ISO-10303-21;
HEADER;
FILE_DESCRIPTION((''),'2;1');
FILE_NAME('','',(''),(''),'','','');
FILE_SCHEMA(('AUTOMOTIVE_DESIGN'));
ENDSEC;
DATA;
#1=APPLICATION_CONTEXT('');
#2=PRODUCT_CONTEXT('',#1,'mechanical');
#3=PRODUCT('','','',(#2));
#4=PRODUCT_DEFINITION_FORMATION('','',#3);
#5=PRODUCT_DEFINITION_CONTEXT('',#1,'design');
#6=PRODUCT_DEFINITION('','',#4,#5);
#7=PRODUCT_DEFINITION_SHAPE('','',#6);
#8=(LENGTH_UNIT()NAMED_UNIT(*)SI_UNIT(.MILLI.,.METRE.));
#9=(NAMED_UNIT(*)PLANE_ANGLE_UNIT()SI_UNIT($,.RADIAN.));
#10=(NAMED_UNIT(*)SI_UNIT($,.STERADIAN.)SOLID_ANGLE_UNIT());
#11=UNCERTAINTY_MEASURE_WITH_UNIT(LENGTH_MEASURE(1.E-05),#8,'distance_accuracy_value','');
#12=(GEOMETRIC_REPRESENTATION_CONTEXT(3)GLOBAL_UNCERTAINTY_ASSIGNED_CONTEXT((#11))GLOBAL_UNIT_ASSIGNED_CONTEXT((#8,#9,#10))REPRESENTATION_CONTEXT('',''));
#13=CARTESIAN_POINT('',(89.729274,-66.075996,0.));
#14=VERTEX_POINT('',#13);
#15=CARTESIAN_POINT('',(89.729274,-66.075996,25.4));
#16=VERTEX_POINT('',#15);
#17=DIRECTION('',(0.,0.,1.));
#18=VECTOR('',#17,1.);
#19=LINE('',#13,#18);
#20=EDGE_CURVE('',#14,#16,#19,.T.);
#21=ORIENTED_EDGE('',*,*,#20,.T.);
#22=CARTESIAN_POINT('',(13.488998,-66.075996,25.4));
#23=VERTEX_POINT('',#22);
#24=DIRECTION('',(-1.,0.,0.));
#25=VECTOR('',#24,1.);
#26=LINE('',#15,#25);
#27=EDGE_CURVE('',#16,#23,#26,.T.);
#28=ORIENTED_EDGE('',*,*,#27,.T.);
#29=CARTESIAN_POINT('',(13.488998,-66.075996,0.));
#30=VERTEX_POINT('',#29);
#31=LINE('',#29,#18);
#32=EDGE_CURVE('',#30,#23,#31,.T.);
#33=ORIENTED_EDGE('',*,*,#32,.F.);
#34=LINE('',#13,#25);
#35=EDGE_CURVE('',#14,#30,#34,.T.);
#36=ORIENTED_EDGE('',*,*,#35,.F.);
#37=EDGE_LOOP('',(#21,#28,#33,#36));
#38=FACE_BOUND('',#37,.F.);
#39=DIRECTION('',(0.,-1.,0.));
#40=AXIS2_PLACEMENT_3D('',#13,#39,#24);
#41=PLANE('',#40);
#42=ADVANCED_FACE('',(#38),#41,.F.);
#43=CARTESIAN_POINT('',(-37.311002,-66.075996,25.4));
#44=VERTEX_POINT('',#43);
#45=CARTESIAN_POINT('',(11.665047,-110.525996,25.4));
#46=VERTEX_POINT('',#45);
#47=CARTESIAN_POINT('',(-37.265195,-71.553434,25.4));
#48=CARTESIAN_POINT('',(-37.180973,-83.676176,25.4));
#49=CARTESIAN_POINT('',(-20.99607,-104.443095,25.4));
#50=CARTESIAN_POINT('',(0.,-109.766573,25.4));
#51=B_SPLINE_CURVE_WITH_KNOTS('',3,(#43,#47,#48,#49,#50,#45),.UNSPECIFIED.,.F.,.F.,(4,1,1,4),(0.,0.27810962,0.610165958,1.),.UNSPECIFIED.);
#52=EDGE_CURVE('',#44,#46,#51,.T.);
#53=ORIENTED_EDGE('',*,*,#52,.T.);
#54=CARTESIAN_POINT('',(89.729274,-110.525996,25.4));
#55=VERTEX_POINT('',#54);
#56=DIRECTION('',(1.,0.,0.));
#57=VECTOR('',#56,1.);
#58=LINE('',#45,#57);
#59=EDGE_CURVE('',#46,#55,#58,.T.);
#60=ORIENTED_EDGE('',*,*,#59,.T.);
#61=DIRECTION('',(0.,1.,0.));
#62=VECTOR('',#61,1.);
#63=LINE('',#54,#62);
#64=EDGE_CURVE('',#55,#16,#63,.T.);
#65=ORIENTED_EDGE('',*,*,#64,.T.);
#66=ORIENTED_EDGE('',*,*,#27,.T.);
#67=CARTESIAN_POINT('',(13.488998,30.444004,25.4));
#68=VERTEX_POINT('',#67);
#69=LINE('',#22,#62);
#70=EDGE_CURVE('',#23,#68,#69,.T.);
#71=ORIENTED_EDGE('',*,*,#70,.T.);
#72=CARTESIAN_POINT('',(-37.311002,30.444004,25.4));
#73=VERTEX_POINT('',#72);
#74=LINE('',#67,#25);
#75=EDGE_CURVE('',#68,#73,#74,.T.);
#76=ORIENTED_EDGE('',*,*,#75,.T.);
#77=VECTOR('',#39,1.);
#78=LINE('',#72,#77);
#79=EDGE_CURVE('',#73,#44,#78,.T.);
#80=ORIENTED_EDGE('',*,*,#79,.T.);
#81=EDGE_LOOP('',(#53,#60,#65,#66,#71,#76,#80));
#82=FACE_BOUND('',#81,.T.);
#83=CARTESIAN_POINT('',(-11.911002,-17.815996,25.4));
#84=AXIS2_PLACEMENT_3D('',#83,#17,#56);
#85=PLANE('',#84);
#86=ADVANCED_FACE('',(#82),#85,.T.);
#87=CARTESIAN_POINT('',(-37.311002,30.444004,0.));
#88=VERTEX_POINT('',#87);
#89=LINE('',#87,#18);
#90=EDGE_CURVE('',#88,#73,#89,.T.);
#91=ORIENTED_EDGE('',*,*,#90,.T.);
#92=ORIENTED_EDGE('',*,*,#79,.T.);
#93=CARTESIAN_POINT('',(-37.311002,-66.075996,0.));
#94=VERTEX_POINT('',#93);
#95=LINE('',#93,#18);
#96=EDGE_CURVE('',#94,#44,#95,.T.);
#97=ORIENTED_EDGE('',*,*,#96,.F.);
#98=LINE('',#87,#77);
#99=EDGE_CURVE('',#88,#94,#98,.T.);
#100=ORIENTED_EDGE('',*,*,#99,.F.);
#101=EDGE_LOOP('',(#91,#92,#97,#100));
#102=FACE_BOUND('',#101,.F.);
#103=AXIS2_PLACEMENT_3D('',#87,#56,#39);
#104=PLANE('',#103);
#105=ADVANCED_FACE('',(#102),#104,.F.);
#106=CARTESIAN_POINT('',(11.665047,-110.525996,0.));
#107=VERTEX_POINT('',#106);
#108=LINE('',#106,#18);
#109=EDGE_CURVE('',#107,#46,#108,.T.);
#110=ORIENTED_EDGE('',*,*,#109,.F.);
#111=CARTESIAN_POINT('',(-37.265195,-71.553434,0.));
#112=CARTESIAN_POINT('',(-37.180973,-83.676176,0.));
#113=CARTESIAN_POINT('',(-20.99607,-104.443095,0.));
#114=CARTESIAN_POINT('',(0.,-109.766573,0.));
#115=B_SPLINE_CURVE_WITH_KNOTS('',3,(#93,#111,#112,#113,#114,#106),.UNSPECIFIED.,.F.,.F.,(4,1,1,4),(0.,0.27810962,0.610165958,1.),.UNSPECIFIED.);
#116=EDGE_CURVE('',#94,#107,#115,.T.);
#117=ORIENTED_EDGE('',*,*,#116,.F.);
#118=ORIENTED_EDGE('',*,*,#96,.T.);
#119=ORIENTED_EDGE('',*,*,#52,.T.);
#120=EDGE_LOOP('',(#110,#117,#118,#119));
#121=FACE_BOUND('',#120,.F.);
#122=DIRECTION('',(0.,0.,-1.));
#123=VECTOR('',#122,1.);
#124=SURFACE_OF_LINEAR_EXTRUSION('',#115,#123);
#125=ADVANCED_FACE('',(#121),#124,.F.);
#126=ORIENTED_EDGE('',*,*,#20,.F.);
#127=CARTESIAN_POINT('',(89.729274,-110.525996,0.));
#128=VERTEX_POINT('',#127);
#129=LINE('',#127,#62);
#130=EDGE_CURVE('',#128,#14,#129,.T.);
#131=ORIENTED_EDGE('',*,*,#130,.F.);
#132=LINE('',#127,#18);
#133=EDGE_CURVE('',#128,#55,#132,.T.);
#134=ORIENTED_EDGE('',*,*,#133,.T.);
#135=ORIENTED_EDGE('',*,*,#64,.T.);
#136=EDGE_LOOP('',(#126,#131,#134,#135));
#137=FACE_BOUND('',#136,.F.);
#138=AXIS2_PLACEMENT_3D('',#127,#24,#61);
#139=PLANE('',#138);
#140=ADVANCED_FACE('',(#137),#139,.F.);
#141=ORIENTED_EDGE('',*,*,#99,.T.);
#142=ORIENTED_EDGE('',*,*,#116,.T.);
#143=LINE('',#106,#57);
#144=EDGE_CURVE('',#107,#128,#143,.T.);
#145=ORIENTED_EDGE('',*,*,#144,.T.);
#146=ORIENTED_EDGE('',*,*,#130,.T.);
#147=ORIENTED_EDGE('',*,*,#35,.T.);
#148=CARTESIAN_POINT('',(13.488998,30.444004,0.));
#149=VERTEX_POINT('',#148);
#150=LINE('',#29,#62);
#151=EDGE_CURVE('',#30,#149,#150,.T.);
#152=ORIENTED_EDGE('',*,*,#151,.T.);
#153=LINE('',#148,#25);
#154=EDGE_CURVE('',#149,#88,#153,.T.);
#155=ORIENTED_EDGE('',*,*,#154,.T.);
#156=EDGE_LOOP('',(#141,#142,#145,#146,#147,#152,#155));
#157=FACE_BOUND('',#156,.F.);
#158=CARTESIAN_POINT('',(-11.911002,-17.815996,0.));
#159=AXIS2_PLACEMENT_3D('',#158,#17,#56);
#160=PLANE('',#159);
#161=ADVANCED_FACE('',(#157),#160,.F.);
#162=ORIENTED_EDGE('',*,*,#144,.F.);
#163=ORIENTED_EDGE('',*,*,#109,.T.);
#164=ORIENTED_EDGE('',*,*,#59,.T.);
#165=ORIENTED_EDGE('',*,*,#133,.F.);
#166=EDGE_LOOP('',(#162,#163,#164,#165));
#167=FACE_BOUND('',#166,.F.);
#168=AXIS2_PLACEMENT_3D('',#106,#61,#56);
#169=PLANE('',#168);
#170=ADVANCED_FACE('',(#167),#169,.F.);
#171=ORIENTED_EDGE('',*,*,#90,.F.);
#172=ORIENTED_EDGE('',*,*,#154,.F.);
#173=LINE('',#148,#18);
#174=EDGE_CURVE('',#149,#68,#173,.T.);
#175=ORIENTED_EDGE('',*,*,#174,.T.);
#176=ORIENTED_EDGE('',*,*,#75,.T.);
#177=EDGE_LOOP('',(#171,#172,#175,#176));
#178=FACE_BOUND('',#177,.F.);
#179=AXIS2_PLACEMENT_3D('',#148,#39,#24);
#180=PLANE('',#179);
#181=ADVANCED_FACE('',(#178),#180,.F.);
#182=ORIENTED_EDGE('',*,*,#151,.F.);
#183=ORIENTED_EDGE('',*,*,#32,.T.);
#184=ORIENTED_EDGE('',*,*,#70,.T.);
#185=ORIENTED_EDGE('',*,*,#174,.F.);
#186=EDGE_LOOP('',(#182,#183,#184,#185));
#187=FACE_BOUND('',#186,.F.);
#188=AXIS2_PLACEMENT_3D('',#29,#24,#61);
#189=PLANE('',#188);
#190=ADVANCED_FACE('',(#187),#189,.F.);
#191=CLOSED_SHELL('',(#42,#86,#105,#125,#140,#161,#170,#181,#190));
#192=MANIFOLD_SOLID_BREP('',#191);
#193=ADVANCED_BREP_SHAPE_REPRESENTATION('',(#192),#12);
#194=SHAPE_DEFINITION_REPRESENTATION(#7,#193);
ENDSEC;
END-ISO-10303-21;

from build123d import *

# Parameters (mm, degrees)
F1_DEPTH = 25.4


with BuildPart() as f1:
    # F0 (on Top) → F1 (new body)
    with BuildSketch(Plane.XY):
        Polygon((13.4889983539, 30.4440044713), (-37.3110016461, 30.4440044713), (-37.3110016461, -66.0759955287), (11.6650466278, -66.0759955287), (13.4889983539, -66.0759955287), align=None)
        with BuildLine():
            Line((11.6650466278, -66.0759955287), (-37.3110016461, -66.0759955287))
            add(Edge.make_bspline(
                [(-37.3110016461, -66.0759955287), (-37.2651945495, -71.5534338079), (-37.1809727906, -83.6761755287), (-20.9960701666, -104.4430950935), (0, -109.7665727139), (11.6650466278, -110.5259955287)],
                knots=[0, 0, 0, 0, 0.2781096202, 0.6101659578, 1, 1, 1, 1], degree=3))
            Line((11.6650466278, -110.5259955287), (11.6650466278, -66.0759955287))
        make_face()
        Polygon((89.7292736756, -66.0759955287), (13.4889983539, -66.0759955287), (11.6650466278, -66.0759955287), (11.6650466278, -110.5259955287), (89.7292736756, -110.5259955287), align=None)
    extrude(amount=F1_DEPTH)


solid = f1.part
